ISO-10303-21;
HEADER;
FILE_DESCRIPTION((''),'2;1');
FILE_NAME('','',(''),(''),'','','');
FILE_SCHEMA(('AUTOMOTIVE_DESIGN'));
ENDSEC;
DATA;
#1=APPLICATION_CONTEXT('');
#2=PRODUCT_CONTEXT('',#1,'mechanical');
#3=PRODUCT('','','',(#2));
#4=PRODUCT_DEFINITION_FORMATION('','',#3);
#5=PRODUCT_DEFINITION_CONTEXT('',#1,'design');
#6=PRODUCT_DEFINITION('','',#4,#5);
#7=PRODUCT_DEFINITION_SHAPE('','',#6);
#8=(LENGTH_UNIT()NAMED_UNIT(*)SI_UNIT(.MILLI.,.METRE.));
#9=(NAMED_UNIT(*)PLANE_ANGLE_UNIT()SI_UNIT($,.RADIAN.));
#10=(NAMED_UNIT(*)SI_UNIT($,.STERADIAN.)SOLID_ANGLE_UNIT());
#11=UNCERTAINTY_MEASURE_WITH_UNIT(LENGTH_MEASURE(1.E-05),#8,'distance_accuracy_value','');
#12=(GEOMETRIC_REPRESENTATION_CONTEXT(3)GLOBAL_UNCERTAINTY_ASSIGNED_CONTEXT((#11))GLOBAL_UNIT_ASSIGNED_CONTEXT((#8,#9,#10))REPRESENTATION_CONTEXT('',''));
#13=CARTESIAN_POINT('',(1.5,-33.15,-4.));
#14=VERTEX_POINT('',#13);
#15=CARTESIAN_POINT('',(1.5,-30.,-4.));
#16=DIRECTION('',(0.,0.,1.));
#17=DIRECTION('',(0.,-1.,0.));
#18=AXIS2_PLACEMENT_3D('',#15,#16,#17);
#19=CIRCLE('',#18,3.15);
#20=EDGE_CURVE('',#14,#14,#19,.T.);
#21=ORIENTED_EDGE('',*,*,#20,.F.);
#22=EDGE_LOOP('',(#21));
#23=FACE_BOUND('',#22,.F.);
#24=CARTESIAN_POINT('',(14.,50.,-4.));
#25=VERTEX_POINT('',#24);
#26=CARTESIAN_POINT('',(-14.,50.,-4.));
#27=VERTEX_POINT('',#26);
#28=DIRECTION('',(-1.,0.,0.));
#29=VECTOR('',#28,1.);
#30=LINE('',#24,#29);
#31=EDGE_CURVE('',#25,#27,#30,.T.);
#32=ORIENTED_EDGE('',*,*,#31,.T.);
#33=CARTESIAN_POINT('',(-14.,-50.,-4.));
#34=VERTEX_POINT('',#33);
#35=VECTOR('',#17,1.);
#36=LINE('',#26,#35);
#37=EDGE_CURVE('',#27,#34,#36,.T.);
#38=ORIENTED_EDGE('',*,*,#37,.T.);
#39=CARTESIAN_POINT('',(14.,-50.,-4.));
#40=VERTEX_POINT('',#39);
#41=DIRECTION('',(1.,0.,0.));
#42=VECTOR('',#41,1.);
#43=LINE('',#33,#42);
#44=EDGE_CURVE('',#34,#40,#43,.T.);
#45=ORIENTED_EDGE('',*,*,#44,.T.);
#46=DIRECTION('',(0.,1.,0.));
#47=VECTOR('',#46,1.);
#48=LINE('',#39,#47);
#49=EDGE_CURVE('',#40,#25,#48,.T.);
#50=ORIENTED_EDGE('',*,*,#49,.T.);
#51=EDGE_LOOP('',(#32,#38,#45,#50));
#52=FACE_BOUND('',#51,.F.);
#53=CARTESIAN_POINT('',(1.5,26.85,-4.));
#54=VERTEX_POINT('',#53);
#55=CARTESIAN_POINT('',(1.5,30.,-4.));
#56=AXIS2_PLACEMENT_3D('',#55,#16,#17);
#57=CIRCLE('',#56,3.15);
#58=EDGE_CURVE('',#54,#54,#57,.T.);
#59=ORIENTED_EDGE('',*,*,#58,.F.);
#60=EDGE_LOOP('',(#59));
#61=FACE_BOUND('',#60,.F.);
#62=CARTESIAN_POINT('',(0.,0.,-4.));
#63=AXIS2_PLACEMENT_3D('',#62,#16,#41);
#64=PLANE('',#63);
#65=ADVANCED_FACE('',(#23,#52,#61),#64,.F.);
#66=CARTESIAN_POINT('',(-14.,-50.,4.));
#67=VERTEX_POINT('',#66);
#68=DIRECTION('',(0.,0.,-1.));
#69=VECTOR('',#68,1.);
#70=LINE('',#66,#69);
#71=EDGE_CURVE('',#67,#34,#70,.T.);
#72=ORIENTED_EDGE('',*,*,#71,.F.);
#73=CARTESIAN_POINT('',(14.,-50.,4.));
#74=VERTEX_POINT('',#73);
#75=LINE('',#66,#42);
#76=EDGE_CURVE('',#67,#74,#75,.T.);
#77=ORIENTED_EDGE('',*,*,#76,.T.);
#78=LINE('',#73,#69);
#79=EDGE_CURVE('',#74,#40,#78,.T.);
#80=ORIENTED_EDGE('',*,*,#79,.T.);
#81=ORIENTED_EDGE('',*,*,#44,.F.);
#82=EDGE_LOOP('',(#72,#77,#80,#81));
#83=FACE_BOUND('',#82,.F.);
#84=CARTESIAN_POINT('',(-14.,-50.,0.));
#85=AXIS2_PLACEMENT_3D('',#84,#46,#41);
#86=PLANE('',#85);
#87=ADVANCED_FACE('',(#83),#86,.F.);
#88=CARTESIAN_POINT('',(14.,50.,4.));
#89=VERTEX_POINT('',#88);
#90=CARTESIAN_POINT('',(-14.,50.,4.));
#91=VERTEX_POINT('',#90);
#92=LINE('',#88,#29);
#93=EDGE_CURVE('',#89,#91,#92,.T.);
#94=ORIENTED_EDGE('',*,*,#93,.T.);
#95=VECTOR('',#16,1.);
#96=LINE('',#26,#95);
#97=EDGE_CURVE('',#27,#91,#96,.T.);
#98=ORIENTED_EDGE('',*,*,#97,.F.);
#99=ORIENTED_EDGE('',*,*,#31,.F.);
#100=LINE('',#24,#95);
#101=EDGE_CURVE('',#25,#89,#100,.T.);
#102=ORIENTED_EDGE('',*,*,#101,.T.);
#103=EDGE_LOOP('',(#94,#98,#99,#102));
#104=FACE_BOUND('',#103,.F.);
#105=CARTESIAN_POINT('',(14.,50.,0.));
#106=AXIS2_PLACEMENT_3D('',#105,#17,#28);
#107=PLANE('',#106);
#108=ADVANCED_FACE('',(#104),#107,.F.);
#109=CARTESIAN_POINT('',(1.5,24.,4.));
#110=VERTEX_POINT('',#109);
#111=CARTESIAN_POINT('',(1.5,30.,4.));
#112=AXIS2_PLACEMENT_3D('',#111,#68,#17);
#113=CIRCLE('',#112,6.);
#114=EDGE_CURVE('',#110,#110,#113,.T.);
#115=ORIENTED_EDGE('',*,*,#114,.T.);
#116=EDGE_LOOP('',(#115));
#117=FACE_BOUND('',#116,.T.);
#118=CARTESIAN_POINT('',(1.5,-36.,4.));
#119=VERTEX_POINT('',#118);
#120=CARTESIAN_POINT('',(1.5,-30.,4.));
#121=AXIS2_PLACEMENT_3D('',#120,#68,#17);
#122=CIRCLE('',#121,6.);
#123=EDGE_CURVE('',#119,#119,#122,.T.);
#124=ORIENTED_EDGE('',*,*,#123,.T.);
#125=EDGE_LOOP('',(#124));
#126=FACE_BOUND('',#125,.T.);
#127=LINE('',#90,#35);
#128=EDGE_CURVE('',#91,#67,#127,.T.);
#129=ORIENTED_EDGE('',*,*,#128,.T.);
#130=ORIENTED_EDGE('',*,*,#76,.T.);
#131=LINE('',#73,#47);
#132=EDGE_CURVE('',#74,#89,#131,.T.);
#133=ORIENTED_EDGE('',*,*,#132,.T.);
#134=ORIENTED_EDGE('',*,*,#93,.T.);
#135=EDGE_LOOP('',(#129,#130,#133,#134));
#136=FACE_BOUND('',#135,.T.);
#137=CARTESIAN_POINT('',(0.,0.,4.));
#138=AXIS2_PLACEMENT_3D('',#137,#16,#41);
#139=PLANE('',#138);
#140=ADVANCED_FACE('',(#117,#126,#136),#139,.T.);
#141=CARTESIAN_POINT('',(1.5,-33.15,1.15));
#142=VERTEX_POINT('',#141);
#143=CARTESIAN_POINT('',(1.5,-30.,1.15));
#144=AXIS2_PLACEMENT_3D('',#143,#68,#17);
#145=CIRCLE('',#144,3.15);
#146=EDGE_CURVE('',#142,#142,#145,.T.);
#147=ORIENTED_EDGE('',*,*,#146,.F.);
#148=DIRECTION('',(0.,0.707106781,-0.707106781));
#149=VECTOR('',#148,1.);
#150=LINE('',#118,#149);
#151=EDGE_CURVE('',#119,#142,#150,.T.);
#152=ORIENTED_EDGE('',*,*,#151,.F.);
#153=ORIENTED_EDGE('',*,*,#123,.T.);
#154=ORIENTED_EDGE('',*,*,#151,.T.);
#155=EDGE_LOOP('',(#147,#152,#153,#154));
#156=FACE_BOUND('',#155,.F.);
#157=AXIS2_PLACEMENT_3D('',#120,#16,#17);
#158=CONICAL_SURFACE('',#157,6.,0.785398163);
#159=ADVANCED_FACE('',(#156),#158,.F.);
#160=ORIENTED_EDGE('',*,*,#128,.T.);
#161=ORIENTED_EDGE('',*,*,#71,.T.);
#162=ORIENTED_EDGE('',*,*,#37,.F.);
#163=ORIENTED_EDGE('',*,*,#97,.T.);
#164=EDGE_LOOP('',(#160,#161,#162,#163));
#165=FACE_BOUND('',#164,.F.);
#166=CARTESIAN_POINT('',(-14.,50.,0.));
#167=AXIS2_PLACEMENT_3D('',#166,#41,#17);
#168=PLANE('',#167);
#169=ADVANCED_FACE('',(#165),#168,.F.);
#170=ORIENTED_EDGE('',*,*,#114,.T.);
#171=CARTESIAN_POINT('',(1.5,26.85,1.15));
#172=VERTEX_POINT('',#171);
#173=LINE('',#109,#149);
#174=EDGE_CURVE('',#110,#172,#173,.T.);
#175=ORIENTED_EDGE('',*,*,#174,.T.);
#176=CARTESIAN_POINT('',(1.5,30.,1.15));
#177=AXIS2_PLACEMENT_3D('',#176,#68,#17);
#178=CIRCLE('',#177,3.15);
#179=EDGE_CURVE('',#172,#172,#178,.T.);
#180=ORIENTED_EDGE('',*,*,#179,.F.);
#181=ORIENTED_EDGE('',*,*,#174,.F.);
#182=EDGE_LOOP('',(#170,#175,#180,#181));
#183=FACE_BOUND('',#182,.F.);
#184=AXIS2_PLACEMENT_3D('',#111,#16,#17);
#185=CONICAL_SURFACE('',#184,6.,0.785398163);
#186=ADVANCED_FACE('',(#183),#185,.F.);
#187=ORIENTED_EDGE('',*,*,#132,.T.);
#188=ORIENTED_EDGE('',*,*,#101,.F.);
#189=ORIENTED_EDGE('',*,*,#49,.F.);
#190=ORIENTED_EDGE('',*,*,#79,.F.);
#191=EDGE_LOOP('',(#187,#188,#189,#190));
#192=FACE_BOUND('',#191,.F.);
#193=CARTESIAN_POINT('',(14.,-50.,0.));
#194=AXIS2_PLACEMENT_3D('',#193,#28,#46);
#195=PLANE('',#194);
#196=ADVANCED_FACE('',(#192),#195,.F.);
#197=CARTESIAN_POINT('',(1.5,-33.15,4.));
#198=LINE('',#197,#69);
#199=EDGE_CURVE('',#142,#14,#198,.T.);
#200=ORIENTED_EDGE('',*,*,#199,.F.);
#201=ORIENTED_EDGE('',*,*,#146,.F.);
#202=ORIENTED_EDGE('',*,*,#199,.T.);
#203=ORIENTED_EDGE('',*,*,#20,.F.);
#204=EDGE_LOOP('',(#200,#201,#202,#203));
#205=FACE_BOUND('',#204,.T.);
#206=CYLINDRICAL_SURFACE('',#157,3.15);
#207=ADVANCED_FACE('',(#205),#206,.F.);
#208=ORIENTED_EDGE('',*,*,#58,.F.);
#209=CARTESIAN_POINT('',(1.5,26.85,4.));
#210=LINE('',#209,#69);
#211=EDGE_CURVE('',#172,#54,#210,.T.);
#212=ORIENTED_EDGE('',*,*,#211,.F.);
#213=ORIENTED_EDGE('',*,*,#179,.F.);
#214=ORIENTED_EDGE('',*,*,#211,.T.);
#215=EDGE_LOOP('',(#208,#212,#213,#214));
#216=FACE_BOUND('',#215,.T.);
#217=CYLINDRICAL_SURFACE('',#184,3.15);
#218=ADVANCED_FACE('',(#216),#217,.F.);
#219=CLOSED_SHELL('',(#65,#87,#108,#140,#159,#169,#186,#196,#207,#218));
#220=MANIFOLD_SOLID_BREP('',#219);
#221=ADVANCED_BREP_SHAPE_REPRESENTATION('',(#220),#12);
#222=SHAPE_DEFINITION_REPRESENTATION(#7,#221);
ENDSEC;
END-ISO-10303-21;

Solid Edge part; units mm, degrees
sketch "Sketch1" plane through (0, 0, 0) normal (0, 0, 1) x (1, 0, 0)
  line L0 (14, -50) -> (14, 50)
  line L1 (14, 50) -> (-14, 50)
  line L2 (-14, 50) -> (-14, -50)
  line L3 (-14, -50) -> (14, -50)
extrude "Protrusion1" add sketch "Sketch1" along normal mid plane 8
hole "Hole_7" at (1.5, -30, 4) direction (0, 0, -1) diameter 6.3 end through all countersink diameter 12 countersink angle 90
hole "Hole1" at (1.5, 30, 4) direction (0, 0, -1) diameter 6.3 end through all countersink diameter 12 countersink angle 90
